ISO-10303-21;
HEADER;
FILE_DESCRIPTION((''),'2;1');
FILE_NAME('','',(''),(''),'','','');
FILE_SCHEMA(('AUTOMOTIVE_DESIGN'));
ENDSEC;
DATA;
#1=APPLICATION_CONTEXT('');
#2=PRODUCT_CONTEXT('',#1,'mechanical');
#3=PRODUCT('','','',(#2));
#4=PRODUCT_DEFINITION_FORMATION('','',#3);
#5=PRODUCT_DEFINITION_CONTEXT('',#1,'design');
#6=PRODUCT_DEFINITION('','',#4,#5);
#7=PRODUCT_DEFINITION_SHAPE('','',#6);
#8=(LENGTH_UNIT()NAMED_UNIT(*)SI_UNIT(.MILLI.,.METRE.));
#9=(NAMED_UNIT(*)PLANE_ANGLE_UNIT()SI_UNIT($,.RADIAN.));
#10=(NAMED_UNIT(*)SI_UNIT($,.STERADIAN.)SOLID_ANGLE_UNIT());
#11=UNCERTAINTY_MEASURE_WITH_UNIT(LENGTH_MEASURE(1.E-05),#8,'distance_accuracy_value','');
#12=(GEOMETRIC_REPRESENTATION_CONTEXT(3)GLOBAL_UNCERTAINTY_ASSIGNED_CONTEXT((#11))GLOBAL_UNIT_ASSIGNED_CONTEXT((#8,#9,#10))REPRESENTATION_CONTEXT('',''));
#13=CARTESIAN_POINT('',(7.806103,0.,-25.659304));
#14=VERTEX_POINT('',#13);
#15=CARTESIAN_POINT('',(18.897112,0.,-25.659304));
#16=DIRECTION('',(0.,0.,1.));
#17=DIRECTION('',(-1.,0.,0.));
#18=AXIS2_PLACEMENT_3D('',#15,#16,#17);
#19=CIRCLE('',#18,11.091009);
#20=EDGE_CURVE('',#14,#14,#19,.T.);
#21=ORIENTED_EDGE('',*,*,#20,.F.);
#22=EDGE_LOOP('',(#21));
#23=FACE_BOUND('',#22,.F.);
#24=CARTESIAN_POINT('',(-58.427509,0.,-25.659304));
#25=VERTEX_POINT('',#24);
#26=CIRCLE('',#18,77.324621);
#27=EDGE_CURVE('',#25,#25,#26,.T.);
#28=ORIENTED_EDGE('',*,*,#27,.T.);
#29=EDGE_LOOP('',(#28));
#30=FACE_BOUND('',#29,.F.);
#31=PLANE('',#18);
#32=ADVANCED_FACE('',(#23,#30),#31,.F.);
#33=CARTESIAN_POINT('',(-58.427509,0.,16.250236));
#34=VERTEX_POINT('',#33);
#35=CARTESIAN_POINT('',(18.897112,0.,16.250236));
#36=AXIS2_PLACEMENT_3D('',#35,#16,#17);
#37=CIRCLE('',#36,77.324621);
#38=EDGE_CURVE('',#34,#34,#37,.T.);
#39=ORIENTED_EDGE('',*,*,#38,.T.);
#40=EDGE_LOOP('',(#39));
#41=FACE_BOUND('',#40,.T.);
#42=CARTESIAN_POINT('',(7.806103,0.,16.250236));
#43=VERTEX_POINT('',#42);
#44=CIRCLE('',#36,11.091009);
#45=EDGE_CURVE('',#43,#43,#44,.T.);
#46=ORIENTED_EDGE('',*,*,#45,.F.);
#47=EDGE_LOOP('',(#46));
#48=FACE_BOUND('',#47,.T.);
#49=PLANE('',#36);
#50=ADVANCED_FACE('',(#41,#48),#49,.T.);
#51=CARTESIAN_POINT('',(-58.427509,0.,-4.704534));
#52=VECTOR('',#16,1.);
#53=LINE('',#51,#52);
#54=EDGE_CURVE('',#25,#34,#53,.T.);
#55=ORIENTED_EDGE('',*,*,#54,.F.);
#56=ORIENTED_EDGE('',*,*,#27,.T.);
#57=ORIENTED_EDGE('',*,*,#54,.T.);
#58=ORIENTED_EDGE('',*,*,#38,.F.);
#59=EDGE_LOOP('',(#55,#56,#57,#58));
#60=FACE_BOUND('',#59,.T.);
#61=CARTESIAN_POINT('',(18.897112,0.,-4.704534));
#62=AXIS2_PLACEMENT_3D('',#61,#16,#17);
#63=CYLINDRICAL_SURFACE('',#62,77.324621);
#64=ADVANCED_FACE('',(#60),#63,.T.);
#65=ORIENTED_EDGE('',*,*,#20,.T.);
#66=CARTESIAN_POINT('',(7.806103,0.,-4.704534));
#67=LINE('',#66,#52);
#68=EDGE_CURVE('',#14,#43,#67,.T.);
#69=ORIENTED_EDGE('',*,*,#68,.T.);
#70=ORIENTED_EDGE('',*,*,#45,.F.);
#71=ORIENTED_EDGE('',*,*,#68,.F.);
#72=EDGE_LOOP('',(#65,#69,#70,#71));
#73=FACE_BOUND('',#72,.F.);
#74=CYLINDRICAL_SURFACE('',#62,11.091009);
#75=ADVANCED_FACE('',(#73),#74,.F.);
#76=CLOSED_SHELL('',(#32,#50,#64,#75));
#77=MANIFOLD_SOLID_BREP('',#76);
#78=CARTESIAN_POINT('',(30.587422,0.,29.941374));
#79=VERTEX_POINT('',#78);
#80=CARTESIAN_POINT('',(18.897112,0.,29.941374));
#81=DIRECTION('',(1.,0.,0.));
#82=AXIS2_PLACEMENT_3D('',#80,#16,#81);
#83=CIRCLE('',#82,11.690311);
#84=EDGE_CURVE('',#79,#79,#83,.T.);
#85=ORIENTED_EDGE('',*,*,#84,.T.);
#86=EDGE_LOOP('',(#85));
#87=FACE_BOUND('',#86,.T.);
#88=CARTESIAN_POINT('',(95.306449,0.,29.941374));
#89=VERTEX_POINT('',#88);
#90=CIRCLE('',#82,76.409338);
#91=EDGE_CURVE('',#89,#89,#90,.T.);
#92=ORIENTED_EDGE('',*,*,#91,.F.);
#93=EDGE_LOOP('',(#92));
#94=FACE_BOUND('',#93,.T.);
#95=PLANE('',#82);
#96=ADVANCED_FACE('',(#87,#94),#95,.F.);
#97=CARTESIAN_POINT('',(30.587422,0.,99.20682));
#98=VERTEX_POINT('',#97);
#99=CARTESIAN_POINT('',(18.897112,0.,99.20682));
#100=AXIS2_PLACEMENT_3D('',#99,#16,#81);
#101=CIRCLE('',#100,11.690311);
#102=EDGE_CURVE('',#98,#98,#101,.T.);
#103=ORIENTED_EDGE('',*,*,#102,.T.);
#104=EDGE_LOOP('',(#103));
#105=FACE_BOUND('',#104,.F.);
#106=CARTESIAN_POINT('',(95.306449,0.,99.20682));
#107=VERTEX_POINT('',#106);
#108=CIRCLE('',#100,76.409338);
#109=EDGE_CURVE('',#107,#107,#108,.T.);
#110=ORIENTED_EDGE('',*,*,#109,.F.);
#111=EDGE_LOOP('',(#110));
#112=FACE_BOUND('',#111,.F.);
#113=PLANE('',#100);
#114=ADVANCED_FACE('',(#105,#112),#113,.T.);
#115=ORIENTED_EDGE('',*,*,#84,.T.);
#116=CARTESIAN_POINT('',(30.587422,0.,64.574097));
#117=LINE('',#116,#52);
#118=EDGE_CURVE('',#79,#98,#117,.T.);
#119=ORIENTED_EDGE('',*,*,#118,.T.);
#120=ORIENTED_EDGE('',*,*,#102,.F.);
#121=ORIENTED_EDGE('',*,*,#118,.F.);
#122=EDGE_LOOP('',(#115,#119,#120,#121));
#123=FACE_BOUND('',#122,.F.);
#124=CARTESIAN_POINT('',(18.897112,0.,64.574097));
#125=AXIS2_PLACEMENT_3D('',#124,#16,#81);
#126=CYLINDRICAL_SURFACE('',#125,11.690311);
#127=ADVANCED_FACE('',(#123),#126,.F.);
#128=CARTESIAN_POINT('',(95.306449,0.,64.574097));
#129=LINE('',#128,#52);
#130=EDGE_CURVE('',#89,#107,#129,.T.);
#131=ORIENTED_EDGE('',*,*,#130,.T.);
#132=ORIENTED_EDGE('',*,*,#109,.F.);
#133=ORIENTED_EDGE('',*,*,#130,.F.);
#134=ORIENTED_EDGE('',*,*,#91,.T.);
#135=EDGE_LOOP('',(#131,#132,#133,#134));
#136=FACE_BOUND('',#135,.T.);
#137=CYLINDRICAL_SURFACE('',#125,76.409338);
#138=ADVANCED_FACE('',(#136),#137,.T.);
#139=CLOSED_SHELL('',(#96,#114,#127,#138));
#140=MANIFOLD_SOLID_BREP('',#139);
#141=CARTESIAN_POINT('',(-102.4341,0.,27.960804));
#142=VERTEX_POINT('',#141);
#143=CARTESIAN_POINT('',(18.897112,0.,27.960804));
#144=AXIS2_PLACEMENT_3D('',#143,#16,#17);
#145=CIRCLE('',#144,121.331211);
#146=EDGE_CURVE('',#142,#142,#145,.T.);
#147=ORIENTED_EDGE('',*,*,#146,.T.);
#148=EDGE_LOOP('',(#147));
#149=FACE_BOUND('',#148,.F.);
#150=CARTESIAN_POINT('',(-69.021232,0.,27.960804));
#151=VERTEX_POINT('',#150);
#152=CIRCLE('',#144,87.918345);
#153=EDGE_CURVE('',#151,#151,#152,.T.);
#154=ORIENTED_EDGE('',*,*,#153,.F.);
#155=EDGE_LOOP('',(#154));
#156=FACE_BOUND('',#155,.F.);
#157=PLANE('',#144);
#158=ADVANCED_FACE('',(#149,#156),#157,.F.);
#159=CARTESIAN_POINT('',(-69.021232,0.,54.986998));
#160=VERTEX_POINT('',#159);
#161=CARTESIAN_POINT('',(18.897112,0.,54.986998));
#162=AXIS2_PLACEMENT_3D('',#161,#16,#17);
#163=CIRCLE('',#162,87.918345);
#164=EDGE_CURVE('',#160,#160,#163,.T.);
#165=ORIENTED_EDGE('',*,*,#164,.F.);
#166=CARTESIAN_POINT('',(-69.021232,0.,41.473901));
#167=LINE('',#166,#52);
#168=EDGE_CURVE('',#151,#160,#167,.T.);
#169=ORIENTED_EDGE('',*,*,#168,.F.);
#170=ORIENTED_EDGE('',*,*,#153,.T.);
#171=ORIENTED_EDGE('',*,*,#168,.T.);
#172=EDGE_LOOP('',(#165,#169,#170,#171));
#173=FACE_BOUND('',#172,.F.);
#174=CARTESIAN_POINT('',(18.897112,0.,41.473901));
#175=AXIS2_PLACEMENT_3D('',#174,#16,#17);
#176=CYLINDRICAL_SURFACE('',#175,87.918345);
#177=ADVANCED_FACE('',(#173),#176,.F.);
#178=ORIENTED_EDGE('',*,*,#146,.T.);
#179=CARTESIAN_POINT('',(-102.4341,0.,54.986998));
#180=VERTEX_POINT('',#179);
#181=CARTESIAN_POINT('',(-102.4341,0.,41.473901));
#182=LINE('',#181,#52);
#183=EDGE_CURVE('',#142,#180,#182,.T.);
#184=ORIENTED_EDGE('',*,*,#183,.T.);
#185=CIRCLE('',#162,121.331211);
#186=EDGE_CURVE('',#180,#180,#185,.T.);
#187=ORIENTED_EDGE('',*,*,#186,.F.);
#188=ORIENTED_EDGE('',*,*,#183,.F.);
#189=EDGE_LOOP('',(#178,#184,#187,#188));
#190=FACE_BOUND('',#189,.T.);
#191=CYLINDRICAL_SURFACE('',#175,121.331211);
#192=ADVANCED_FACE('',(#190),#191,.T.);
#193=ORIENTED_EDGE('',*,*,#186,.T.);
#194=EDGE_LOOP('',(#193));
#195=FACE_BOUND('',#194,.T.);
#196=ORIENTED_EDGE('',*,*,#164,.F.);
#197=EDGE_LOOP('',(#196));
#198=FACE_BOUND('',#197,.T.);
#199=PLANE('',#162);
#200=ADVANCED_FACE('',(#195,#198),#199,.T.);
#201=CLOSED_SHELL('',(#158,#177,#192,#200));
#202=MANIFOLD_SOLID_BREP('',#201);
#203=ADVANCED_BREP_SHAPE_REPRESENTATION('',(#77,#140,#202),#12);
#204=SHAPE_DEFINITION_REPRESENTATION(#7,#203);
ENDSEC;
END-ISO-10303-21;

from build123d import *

# Parameters (mm, degrees)
F0_W   = 66.233612
F0_H   = 41.90954
F0_W_2 = 33.412867
F0_H_2 = 27.026193
F0_W_3 = 64.719027
F0_H_3 = 69.265446


with BuildPart() as f1:
    # F0 (on Front) → F1 (revolve)
    with BuildSketch(Plane.XZ):
        with Locations((-25.310703, -4.704534)):
            Rectangle(F0_W, F0_H)
        with Locations((-85.727666, 41.473901)):
            Rectangle(F0_W_2, F0_H_2)
        with Locations((62.946936, 64.574097)):
            Rectangle(F0_W_3, F0_H_3)
    revolve(axis=Axis((18.897112, 0, 28.997758), (0, 0, 1)))


solid = f1.part
